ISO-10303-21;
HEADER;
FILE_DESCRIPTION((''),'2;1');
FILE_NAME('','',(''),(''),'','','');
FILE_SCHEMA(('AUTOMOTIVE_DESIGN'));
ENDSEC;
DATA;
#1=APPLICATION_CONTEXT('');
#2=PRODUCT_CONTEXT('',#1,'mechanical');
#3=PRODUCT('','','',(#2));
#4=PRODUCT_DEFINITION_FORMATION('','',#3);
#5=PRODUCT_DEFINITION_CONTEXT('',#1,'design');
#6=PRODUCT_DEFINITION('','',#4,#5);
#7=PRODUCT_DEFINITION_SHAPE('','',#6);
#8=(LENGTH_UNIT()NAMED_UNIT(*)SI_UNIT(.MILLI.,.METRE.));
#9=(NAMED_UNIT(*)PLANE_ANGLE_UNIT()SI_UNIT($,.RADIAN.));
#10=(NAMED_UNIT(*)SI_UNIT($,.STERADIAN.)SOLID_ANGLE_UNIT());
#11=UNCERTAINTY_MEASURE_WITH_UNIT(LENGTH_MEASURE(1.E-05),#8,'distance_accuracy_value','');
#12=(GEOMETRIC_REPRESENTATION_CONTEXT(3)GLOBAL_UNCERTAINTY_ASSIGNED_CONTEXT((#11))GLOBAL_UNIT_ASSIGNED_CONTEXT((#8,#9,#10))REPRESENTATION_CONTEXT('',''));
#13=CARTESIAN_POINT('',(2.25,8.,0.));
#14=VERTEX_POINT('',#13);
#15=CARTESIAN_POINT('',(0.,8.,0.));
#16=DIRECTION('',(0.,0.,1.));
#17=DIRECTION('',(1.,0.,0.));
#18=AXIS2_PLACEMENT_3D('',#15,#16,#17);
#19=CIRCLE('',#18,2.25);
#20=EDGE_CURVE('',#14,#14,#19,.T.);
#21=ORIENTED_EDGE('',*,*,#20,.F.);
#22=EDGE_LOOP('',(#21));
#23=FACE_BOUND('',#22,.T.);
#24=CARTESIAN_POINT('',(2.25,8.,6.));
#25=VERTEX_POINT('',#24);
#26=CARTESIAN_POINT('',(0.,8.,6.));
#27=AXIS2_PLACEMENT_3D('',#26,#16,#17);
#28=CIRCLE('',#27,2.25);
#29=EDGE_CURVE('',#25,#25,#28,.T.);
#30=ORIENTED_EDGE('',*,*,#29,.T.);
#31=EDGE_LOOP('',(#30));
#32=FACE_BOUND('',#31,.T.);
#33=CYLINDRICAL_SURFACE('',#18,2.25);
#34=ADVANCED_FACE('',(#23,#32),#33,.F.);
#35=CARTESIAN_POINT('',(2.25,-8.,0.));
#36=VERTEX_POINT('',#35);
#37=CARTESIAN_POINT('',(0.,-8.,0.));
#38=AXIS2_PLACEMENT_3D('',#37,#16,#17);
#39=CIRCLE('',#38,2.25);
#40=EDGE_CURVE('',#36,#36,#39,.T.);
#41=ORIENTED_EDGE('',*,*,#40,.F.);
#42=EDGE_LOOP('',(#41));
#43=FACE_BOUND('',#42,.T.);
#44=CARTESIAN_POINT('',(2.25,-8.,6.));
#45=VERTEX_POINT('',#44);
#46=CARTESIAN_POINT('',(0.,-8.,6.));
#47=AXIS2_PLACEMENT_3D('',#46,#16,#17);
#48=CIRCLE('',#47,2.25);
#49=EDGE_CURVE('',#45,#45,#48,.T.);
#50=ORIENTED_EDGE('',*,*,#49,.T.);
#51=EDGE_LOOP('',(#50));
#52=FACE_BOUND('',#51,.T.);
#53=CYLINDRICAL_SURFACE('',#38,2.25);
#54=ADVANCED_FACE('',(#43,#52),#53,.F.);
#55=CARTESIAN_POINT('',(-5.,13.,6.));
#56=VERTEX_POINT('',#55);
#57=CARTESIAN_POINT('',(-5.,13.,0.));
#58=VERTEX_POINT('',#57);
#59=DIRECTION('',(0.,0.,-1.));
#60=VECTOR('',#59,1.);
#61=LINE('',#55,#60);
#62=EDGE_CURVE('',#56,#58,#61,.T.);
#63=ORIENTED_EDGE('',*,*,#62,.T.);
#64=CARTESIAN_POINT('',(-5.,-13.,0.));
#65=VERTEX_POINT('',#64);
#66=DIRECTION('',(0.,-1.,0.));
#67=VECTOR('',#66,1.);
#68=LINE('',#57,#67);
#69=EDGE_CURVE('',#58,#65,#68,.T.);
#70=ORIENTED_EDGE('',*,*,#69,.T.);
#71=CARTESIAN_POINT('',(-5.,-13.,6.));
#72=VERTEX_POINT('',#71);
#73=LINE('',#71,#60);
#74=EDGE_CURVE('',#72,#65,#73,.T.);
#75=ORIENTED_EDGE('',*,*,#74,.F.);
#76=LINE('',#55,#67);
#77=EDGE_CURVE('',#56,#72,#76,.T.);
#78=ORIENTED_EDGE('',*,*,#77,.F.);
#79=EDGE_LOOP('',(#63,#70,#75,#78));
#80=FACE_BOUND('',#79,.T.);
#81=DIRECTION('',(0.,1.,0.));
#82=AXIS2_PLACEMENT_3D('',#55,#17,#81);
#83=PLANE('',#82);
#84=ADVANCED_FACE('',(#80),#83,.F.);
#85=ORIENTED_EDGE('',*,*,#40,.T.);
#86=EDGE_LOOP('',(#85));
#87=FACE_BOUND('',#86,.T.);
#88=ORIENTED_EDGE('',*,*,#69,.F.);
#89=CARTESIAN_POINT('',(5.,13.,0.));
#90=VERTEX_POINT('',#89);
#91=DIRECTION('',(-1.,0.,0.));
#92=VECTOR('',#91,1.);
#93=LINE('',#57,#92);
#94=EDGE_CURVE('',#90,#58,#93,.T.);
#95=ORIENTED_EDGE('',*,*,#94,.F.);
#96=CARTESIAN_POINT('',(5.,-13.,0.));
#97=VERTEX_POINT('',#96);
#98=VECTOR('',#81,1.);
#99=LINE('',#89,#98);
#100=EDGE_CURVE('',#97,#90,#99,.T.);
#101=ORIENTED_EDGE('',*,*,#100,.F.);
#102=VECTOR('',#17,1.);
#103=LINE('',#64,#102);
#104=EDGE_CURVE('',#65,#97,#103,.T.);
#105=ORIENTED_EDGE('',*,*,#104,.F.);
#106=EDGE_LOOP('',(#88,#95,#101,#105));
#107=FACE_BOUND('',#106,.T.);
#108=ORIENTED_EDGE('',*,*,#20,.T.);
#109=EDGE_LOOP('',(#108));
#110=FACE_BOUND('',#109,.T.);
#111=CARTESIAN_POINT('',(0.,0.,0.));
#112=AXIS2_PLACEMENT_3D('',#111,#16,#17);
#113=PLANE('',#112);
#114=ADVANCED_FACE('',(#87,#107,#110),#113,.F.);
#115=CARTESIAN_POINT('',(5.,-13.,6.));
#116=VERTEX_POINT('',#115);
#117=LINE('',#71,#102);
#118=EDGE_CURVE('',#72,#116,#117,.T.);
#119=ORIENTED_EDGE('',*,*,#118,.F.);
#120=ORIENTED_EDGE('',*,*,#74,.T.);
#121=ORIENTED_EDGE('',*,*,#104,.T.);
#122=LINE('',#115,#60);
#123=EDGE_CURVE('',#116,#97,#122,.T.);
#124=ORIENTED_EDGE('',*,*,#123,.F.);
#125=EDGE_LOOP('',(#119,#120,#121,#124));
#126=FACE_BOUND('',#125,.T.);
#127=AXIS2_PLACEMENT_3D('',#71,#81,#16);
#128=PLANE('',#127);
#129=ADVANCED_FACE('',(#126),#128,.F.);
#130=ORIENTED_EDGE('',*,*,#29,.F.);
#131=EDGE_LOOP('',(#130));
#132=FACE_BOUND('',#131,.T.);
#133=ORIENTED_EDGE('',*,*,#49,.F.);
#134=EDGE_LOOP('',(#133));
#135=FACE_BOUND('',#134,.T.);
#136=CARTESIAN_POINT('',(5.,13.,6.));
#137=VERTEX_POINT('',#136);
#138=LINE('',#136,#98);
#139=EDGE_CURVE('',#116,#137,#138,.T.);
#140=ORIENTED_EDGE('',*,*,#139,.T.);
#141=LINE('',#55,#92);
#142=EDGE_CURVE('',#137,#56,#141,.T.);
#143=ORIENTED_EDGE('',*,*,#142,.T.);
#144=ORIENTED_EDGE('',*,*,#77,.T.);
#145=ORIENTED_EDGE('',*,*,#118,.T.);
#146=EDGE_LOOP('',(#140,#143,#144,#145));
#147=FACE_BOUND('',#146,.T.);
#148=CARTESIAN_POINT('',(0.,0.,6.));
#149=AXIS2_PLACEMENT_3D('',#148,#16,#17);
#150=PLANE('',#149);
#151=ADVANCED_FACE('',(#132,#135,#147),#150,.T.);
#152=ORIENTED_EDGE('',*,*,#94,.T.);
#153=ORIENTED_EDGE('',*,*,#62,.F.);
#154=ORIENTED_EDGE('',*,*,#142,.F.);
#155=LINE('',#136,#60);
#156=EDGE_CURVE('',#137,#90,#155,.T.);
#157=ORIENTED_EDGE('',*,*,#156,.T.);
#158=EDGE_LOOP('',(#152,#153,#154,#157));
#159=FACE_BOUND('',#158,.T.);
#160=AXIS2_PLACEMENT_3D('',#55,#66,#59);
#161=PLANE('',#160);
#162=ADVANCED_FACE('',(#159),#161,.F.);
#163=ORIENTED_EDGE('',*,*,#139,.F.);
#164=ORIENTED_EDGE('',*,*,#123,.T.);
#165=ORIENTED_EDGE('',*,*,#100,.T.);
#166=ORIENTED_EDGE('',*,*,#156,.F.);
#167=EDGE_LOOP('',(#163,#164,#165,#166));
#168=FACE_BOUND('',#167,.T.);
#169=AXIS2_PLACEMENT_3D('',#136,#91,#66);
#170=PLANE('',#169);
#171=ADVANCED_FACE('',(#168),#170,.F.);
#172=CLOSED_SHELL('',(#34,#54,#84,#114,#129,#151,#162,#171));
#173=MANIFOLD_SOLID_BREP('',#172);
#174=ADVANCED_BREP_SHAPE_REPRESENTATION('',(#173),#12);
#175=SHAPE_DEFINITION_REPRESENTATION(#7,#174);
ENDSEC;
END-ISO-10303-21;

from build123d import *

# Parameters (mm, degrees)
SKETCH1_W           = 10
SKETCH1_H           = 26
BOSS_EXTRUDE1_DEPTH = 6
SKETCH2_R           = 2.25
CUT_EXTRUDE1_DEPTH  = 16.165750888


with BuildPart() as part:
    # Sketch1 → Boss-Extrude1 (new body)
    with BuildSketch(Plane.XY):
        Rectangle(SKETCH1_W, SKETCH1_H)
    extrude(amount=BOSS_EXTRUDE1_DEPTH)

    # Sketch2 → Cut-Extrude1 (cut, through all)
    with BuildSketch(Plane.XY.offset(6)):
        with Locations((0, 8)):
            Circle(SKETCH2_R)
        with Locations((0, -8)):
            Circle(SKETCH2_R)
    extrude(amount=-CUT_EXTRUDE1_DEPTH, mode=Mode.SUBTRACT)


solid = part.part
